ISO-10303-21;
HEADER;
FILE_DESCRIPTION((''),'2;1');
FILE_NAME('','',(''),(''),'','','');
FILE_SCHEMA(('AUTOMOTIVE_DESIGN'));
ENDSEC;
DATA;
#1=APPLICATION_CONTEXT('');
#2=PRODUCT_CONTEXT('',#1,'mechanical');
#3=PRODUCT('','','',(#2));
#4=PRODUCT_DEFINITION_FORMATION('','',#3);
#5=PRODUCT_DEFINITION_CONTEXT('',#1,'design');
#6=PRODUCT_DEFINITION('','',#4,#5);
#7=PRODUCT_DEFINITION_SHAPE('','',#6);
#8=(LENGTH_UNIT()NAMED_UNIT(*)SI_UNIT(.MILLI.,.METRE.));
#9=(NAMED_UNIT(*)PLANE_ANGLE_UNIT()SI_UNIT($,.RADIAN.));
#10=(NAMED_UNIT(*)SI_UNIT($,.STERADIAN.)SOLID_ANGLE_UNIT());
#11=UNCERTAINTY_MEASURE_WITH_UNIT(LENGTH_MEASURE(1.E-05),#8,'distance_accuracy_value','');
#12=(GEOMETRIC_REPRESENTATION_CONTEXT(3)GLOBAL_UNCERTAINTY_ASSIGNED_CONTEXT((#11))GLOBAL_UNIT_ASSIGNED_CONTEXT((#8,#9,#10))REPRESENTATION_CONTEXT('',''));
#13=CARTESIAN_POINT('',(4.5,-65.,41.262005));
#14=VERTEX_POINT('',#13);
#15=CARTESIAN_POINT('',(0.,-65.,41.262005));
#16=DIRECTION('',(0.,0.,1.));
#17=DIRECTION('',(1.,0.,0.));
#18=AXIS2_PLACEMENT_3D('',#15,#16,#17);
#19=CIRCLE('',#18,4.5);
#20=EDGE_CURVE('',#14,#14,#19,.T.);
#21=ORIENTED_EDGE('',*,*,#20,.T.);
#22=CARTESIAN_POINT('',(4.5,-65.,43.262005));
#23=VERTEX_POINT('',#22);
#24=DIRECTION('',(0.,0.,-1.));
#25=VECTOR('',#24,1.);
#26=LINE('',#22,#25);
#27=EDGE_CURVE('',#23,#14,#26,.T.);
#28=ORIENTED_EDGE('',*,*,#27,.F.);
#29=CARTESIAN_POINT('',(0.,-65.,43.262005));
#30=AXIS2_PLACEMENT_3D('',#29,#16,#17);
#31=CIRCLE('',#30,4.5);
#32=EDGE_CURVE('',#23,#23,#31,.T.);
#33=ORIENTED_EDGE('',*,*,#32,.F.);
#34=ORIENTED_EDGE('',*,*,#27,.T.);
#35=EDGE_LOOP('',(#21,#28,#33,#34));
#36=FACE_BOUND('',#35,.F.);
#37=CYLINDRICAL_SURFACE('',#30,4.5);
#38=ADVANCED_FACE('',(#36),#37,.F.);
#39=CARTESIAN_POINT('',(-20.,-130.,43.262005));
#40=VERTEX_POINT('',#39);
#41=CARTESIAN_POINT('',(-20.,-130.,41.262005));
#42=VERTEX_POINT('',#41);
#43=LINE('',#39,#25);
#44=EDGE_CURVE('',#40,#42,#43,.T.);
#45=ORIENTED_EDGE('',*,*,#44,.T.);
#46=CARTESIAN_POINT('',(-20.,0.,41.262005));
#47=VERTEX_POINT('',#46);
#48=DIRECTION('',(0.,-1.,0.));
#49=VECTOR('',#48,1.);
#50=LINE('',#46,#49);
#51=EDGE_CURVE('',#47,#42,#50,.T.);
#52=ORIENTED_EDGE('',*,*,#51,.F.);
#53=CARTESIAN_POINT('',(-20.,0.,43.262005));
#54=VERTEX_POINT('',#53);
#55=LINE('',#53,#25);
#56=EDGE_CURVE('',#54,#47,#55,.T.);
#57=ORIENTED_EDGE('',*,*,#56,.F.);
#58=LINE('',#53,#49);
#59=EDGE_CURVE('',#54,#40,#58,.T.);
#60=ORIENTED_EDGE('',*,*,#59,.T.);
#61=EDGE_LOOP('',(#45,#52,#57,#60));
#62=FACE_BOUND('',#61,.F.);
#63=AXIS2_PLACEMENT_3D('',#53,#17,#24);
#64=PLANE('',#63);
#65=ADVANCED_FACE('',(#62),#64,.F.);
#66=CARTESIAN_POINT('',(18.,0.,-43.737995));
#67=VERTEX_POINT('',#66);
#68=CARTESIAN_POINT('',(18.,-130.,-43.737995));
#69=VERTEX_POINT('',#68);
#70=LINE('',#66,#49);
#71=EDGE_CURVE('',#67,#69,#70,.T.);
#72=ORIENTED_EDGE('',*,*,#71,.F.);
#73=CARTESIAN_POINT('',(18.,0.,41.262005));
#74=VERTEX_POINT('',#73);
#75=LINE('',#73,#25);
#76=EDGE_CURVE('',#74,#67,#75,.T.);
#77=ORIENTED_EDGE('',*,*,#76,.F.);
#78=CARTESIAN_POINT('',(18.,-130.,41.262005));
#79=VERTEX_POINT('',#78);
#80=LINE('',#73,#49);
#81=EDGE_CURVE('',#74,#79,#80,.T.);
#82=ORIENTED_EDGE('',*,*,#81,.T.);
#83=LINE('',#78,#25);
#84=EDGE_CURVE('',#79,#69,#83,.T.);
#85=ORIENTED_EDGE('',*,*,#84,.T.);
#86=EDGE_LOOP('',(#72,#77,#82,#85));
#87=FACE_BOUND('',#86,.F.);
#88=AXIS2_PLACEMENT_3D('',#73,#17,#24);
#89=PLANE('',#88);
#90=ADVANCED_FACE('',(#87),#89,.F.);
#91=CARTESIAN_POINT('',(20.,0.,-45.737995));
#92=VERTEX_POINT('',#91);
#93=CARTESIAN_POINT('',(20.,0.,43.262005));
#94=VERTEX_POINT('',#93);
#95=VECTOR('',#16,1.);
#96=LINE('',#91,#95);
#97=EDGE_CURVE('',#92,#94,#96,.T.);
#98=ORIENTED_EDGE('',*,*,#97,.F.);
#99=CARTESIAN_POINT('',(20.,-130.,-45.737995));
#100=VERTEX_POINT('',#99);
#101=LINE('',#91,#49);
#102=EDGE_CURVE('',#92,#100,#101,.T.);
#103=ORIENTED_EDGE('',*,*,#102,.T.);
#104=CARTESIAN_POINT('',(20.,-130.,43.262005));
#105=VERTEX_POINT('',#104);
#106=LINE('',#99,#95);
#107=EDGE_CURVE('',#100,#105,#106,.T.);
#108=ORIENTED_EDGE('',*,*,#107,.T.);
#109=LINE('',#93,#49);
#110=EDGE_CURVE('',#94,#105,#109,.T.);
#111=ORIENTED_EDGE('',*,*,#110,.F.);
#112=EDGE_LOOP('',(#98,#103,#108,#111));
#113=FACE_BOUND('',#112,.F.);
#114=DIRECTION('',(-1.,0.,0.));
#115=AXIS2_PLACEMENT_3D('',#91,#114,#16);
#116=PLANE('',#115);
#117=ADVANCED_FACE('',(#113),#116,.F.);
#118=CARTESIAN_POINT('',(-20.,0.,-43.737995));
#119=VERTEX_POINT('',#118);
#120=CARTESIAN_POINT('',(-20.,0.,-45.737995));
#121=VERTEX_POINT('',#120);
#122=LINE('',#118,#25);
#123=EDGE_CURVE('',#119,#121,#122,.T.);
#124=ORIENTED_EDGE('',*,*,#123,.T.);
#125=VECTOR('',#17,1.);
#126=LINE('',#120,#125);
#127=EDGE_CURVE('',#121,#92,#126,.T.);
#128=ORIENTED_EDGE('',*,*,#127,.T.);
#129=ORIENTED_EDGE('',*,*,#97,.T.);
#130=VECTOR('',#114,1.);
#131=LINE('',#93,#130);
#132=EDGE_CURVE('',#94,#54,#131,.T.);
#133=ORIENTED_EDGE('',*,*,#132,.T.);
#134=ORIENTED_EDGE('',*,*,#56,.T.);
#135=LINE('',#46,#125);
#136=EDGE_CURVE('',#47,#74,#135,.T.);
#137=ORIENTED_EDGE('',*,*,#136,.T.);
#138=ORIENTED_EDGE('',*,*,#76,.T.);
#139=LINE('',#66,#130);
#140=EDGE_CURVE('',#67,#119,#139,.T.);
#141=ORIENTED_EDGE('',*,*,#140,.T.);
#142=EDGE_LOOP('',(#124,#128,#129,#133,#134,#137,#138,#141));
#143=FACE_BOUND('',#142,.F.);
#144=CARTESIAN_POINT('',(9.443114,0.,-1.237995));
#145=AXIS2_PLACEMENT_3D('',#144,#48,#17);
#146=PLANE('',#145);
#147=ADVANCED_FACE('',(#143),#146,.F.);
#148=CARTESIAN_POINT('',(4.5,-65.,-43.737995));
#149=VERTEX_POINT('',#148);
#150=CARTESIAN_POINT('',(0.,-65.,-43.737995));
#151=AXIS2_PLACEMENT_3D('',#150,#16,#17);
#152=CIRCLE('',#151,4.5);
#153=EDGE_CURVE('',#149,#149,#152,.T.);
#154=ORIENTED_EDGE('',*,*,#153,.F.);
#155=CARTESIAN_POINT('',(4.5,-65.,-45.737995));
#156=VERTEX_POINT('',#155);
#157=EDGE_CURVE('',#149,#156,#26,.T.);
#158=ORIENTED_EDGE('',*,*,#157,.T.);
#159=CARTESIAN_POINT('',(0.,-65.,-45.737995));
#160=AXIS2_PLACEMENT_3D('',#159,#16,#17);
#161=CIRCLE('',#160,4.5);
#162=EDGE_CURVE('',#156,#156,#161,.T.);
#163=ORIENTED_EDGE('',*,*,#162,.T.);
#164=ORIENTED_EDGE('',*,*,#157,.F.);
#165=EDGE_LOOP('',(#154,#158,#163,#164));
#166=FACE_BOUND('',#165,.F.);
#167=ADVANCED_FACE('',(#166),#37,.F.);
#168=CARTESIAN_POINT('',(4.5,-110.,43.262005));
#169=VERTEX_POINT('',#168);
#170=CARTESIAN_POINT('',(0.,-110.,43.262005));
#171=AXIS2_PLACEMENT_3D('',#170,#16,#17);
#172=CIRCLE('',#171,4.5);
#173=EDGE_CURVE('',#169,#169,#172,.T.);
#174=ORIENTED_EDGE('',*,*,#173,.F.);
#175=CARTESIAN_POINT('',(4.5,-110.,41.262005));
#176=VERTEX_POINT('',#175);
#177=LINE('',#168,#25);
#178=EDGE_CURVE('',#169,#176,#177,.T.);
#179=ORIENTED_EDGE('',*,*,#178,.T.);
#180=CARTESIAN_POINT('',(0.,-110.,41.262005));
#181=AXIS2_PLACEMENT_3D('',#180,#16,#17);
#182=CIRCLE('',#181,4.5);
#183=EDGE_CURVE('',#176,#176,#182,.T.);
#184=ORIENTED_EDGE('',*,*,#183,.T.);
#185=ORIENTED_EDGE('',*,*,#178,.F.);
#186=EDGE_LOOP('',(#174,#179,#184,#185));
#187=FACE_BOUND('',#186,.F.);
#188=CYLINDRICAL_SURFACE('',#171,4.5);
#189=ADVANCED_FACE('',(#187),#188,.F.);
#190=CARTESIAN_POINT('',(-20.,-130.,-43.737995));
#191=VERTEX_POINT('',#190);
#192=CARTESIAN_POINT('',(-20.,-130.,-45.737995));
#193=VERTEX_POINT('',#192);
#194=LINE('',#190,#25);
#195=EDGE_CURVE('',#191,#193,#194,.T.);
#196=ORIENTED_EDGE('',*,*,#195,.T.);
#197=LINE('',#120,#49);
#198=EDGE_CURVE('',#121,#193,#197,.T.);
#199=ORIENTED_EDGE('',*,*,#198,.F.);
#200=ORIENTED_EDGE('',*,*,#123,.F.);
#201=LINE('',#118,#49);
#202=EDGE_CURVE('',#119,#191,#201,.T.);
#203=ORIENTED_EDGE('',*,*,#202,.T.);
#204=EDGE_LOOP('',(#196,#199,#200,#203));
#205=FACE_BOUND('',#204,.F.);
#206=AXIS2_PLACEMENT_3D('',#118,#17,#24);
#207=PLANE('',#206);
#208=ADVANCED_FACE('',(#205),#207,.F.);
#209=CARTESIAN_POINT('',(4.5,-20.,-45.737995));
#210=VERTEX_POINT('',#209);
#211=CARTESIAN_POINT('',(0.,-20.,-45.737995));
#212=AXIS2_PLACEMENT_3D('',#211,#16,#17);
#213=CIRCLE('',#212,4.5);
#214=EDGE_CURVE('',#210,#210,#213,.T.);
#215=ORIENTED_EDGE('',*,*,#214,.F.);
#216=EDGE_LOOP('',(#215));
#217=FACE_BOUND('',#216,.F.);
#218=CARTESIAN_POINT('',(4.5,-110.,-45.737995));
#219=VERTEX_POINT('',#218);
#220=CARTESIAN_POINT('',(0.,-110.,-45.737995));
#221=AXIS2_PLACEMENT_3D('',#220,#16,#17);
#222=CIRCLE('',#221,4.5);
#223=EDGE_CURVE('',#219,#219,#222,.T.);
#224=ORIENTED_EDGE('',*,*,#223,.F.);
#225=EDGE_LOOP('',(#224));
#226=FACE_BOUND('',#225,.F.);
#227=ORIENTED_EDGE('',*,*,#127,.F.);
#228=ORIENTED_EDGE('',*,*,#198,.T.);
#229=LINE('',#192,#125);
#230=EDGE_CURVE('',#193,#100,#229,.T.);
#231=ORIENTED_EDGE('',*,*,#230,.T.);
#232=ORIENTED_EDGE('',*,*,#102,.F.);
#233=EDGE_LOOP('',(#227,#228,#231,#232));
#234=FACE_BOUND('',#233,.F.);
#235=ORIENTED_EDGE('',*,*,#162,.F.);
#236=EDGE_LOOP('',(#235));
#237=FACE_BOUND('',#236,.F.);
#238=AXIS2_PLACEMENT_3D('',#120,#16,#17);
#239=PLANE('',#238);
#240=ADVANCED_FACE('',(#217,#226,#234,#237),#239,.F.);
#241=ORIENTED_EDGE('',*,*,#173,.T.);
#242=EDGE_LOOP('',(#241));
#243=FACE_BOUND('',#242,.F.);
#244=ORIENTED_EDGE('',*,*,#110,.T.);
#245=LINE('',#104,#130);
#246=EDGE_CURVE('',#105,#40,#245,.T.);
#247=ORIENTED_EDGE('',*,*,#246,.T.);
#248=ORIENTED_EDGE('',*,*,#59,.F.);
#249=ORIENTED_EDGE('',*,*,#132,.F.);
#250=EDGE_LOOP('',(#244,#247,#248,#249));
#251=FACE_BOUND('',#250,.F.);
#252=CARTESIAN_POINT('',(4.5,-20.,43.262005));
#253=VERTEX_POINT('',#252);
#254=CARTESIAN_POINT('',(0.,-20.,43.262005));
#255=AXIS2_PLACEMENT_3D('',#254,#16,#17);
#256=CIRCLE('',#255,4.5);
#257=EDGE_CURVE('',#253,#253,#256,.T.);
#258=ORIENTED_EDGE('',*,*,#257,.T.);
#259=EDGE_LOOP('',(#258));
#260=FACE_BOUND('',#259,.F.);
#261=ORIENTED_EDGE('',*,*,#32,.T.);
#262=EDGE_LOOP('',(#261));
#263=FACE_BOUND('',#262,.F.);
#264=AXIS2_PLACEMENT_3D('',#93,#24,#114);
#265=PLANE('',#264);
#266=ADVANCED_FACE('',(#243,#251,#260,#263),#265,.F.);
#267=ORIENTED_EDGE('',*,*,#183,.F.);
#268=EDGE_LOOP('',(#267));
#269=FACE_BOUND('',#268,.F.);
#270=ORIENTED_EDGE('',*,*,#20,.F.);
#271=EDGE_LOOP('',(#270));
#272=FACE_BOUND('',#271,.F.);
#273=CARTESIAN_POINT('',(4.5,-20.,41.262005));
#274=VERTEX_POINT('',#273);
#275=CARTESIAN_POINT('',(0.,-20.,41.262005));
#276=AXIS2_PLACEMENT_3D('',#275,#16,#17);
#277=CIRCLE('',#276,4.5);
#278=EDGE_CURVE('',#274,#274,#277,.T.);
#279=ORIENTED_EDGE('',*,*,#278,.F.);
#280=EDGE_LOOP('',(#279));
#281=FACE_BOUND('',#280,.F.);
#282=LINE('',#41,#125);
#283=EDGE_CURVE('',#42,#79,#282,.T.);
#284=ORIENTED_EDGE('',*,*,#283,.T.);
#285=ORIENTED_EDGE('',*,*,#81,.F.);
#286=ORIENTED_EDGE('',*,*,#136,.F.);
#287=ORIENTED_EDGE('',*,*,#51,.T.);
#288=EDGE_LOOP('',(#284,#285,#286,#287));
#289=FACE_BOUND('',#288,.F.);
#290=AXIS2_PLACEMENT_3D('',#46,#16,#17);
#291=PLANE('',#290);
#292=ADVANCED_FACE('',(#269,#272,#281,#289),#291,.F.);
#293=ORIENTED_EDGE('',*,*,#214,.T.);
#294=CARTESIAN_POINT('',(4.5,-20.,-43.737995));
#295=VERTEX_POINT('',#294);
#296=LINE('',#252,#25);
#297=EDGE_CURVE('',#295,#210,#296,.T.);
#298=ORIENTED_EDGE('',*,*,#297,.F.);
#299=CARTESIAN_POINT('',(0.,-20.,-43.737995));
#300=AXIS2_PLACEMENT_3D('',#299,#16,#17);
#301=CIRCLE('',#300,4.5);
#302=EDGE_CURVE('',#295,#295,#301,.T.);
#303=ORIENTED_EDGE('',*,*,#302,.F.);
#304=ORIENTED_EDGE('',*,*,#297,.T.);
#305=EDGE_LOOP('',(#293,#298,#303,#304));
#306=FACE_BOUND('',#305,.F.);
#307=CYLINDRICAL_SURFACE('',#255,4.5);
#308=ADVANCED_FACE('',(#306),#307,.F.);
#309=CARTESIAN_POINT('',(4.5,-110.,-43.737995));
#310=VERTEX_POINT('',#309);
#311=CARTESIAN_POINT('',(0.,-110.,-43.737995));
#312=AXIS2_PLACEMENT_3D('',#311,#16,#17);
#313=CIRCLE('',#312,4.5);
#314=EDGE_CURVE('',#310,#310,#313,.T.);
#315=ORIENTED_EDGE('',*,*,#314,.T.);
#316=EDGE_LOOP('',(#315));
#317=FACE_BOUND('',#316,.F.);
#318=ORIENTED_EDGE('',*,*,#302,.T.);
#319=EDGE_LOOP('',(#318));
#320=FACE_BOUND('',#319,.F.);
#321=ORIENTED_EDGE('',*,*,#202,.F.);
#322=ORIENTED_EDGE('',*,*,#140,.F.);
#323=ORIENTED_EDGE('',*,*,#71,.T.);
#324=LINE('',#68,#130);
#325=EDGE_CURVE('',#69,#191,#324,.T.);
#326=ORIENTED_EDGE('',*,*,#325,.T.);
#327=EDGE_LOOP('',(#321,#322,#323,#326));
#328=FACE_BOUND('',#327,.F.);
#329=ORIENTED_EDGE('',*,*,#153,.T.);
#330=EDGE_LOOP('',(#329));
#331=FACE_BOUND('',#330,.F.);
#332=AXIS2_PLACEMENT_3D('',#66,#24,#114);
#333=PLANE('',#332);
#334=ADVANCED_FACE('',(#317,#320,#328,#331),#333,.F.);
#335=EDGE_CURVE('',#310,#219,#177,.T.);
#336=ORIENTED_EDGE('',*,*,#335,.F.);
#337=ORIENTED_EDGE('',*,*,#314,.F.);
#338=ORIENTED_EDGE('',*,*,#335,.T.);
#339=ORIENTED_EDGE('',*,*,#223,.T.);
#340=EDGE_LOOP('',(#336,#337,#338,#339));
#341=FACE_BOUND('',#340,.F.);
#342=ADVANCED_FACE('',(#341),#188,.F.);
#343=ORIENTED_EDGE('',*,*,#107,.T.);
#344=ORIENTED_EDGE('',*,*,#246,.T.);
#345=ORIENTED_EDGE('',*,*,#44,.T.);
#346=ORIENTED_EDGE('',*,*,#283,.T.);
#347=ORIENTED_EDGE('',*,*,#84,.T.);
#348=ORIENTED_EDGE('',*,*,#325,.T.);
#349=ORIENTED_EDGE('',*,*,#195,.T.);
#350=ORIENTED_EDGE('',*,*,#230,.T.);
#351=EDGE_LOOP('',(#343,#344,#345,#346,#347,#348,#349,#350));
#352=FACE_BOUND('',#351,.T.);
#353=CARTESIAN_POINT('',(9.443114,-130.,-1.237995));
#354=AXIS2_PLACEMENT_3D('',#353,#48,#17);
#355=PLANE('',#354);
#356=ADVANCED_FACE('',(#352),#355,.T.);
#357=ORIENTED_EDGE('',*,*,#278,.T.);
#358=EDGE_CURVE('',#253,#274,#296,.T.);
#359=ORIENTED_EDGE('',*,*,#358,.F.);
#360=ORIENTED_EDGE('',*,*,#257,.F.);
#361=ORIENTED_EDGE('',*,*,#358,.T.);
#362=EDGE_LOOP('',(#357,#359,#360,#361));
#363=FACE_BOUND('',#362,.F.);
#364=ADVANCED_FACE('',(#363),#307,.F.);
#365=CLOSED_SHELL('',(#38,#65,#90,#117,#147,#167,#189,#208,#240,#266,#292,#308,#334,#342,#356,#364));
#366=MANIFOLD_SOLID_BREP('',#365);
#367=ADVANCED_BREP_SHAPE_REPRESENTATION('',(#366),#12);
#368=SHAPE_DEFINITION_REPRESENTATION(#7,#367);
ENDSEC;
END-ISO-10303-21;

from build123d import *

# Parameters (mm, degrees)
F1_DEPTH = 130
F2_R     = 4.5
F3_DEPTH = 130


with BuildPart() as f1:
    # F0 (on Front) → F1 (new body)
    with BuildSketch(Plane.XZ):
        Polygon((20, -45.737995), (20, 43.262005), (-20, 43.262005), (-20, 41.262005), (-18, 41.262005), (18, 41.262005), (18, -43.737995), (-18, -43.737995), (-20, -43.737995), (-20, -45.737995), align=None)
    extrude(amount=F1_DEPTH)

    # F2 (on face) → F3 (cut)
    with BuildSketch(Plane.XY.offset(43.262005)):
        with Locations((0, -20)):
            Circle(F2_R)
        with Locations((0, -65)):
            Circle(F2_R)
        with Locations((0, -110)):
            Circle(F2_R)
    extrude(amount=-F3_DEPTH, mode=Mode.SUBTRACT)


solid = f1.part
